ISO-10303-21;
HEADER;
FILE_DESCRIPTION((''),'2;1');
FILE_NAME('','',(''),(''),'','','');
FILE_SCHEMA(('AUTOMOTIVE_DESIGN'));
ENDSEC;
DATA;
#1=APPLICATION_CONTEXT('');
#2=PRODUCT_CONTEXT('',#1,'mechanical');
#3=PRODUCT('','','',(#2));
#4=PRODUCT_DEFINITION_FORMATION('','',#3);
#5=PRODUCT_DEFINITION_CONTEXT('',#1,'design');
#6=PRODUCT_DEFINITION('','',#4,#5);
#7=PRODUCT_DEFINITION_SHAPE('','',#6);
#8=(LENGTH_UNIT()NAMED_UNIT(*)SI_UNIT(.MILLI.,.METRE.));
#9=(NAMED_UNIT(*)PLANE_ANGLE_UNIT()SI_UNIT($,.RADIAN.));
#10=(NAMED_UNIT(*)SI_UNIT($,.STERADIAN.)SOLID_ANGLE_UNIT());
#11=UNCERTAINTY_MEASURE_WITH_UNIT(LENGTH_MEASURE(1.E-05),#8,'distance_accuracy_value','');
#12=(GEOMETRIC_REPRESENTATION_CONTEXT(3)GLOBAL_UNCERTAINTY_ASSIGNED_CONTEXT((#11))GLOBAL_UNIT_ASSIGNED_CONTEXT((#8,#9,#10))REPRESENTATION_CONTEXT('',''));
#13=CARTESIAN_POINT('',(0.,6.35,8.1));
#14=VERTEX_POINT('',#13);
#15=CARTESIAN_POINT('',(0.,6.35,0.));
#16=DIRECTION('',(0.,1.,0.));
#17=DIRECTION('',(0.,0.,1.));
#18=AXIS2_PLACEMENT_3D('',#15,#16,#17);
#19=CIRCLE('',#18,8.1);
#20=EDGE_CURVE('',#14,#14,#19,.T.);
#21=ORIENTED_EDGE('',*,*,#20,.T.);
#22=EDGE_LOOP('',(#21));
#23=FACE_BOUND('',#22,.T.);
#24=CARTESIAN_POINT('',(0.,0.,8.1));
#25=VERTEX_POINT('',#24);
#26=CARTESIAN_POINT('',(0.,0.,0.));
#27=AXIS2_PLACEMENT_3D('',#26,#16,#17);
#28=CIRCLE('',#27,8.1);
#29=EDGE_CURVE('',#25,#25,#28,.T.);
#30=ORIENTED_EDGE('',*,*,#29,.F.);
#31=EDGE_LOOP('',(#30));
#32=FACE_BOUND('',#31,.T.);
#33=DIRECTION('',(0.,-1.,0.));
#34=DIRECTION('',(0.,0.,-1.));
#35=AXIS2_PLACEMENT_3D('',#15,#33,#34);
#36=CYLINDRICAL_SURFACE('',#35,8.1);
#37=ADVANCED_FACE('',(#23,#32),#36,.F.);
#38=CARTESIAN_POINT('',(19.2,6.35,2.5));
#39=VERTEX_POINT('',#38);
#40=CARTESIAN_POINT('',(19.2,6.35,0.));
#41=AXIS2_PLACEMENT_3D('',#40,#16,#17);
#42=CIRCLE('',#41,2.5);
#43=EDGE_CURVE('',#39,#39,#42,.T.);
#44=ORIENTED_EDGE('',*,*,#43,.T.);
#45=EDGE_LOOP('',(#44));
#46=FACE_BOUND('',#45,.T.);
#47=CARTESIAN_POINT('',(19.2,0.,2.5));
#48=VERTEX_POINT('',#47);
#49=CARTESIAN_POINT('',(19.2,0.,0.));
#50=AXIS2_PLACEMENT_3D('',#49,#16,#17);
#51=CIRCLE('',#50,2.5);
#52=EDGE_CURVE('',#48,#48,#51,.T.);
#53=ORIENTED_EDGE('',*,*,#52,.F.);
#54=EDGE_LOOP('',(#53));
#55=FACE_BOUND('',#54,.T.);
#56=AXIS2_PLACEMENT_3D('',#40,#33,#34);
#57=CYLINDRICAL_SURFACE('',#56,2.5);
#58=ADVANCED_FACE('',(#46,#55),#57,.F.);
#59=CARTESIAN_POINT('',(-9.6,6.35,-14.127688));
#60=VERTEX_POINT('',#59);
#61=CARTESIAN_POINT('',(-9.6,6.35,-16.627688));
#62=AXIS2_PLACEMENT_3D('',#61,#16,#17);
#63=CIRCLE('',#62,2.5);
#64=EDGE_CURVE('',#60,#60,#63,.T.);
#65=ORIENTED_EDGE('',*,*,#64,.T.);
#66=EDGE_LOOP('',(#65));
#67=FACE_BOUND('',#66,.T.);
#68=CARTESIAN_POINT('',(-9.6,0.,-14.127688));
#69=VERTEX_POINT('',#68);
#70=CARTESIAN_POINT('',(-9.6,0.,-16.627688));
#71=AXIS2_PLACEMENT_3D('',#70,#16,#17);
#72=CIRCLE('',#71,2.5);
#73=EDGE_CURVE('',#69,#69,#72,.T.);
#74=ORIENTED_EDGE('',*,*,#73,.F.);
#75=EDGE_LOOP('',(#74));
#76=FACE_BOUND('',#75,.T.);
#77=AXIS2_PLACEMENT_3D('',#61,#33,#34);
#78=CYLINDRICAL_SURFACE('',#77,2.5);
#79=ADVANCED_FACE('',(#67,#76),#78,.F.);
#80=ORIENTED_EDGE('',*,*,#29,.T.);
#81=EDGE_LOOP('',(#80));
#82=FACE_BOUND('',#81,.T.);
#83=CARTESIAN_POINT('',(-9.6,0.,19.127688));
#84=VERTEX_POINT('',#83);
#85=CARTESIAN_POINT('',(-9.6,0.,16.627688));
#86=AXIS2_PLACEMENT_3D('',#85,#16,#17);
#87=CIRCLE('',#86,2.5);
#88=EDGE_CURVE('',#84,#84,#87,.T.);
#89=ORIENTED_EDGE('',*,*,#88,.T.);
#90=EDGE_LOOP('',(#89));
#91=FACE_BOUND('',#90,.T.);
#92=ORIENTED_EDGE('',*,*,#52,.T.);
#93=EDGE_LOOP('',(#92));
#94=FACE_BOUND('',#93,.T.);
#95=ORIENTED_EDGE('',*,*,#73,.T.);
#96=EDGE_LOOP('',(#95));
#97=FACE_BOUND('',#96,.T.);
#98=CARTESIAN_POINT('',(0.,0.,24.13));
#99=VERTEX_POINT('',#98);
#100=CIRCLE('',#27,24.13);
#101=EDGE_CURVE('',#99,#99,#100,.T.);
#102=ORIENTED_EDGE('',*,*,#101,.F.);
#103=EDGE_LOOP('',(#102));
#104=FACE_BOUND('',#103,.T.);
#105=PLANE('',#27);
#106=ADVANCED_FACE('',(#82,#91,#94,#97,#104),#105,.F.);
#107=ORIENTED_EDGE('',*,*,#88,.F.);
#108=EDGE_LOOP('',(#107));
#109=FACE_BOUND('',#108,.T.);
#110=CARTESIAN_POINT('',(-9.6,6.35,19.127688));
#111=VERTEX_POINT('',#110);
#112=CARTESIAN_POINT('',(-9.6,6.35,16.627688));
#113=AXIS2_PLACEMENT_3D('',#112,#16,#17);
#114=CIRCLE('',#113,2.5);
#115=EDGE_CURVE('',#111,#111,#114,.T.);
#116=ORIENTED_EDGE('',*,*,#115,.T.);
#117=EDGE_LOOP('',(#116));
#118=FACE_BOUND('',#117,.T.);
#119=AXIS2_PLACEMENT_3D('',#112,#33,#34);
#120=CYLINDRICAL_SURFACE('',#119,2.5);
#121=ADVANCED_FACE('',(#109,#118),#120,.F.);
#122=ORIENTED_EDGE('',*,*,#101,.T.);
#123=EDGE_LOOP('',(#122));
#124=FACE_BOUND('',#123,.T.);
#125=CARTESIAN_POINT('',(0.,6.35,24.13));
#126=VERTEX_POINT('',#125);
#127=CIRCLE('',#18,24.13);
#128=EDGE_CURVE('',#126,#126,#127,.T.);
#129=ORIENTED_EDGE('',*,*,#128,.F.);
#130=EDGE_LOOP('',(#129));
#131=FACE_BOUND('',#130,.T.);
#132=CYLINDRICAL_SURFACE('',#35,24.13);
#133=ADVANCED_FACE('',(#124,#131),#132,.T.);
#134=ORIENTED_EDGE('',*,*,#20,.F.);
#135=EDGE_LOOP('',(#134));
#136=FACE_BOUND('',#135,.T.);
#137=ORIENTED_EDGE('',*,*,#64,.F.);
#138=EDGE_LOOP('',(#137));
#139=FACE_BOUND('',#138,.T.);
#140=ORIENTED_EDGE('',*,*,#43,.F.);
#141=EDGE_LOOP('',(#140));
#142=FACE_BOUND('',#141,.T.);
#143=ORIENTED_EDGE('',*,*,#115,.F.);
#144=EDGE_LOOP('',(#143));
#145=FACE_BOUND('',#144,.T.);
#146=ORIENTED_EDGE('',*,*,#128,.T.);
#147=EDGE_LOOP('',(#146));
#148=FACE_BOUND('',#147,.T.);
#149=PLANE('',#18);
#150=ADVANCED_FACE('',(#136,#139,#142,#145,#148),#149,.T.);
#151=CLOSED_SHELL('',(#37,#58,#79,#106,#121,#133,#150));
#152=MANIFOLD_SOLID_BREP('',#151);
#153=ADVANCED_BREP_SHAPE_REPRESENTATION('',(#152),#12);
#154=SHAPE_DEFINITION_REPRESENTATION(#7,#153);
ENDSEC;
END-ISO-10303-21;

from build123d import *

# Parameters (mm, degrees)
SKETCH1_R           = 24.13
SKETCH1_R_2         = 2.5
SKETCH1_R_3         = 8.1
BOSS_EXTRUDE1_DEPTH = 6.35


with BuildPart() as part:
    # Sketch1 → Boss-Extrude1 (new body)
    with BuildSketch(Plane(origin=(0, 0, 0), x_dir=(1, 0, 0), z_dir=(0, 1, 0))):
        Circle(SKETCH1_R)
        with Locations((19.2, 0)):
            Circle(SKETCH1_R_2, mode=Mode.SUBTRACT)
        with Locations((-9.6, 16.627687753)):
            Circle(SKETCH1_R_2, mode=Mode.SUBTRACT)
        with Locations((-9.6, -16.627687753)):
            Circle(SKETCH1_R_2, mode=Mode.SUBTRACT)
        Circle(SKETCH1_R_3, mode=Mode.SUBTRACT)
    extrude(amount=BOSS_EXTRUDE1_DEPTH)


solid = part.part
